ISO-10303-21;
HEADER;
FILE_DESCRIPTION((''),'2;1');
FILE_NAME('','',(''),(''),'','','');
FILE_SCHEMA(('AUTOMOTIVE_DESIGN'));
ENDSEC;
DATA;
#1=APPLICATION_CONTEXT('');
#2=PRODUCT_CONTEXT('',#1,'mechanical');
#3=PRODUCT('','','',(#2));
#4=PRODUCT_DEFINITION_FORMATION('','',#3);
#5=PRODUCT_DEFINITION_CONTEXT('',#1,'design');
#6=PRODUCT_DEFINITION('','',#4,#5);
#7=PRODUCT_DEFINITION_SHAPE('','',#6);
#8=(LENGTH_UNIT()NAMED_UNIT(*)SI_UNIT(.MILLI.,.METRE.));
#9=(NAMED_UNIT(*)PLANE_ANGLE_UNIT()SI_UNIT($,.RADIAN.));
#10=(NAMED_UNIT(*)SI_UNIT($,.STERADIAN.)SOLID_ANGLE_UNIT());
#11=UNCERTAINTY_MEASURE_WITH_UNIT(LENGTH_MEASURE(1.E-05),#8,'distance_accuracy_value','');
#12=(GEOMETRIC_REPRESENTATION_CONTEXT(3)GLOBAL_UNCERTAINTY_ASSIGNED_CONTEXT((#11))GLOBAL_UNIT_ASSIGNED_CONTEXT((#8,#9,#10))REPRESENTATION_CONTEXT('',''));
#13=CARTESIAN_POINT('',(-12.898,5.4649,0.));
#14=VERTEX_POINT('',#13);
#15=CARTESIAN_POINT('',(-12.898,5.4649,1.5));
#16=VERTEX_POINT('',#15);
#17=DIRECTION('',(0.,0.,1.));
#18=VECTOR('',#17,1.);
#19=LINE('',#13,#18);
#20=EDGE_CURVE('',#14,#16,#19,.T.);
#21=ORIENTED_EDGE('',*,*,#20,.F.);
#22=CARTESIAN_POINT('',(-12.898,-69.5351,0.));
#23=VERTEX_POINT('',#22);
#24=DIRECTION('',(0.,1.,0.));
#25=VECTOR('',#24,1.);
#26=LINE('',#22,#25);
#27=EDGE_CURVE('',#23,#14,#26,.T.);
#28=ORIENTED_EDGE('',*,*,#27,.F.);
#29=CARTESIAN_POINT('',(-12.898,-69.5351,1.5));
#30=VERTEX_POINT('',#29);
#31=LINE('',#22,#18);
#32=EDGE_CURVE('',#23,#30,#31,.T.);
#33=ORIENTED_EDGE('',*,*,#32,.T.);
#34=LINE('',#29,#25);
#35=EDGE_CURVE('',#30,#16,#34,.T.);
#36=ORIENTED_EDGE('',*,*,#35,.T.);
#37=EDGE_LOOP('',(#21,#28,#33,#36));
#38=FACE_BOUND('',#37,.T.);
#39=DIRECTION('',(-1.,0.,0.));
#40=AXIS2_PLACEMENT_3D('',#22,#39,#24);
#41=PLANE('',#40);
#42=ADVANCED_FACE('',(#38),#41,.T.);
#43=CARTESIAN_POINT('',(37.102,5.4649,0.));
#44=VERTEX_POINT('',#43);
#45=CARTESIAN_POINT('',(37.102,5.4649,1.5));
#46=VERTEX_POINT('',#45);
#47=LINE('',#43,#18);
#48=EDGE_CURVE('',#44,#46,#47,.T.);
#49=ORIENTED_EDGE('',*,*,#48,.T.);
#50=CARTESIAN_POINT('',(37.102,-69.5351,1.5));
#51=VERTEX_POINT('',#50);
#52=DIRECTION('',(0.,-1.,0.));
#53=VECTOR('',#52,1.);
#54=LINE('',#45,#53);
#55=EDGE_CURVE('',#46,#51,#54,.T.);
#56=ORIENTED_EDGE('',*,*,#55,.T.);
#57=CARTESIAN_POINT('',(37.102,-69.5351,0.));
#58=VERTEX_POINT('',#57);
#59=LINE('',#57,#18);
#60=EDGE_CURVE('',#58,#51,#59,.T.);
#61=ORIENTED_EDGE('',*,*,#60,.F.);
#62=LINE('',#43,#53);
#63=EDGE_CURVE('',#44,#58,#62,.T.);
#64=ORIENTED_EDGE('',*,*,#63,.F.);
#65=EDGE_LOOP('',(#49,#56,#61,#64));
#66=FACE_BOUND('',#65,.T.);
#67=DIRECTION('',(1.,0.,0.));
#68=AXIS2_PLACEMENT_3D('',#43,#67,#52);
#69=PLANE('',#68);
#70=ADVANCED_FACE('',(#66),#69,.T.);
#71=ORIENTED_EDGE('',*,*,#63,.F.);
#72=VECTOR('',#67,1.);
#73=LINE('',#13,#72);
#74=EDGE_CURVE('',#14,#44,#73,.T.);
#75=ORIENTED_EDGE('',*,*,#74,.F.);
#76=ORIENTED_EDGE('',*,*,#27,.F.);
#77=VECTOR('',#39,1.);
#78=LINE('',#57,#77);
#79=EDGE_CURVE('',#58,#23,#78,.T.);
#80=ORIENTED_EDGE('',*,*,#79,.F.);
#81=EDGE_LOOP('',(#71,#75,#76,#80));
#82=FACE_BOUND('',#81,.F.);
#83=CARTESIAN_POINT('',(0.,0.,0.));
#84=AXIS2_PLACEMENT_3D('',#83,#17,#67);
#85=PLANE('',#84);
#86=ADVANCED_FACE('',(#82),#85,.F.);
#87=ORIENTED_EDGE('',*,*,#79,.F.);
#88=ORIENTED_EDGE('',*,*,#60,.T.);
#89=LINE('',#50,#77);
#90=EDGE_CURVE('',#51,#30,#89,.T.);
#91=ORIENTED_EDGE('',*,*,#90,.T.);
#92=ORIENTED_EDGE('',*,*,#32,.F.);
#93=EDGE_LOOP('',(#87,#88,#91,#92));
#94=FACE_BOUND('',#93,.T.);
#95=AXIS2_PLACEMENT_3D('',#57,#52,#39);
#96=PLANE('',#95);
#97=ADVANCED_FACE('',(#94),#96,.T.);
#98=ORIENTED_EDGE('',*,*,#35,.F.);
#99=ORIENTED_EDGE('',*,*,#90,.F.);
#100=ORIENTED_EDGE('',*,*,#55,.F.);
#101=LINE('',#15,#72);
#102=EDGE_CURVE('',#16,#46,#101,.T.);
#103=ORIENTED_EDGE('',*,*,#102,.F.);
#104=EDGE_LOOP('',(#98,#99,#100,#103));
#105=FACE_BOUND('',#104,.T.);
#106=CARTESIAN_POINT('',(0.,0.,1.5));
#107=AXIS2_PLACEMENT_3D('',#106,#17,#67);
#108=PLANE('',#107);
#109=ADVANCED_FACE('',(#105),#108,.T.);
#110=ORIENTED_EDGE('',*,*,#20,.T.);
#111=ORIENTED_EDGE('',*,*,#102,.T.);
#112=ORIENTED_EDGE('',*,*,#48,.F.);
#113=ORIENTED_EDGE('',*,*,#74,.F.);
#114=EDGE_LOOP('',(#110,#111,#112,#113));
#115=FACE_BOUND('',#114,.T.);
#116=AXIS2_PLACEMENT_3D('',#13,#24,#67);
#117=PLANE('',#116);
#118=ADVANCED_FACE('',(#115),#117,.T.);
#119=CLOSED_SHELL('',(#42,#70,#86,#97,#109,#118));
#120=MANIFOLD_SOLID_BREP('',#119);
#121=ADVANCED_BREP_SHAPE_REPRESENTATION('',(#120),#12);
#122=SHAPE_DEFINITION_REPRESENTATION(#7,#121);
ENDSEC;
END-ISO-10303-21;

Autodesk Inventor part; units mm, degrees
ref_plane "YZ Plane" through (0, 0, 0) normal (1, 0, 0) x (0, 1, 0)
ref_plane "XZ Plane" through (0, 0, 0) normal (0, 1, 0) x (-1, 0, 0)
ref_plane "XY Plane" through (0, 0, 0) normal (0, 0, 1) x (1, 0, 0)
sketch "Szkic1" plane through (0, 0, 0) normal (0, 0, 1) x (1, 0, 0)
  line L0 (-12.898, 5.4649) -> (37.102, 5.4649)
  line L1 (37.102, 5.4649) -> (37.102, -69.5351)
  line L2 (37.102, -69.5351) -> (-12.898, -69.5351)
  line L3 (-12.898, -69.5351) -> (-12.898, 5.4649)
  point P0 (0, 0)
  dimension "d0" = 50
  dimension "d1" = 75
extrude "Wyciągnięcie proste1" add sketch "Szkic1" along normal blind 1.5
sketch "Szkic2" plane through (0, 0, 1.5) normal (0, 0, 1) x (1, 0, 0)
  line L0 (-1.3415, -24.8989) -> (31.392, -24.8989) construction
  line L1 (31.392, -24.8989) -> (31.392, -76.414) construction
  line L2 (31.392, -76.414) -> (-1.3415, -76.414) construction
  line L3 (-1.3415, -76.414) -> (-1.3415, -24.8989) construction
properties part number "COTS_GENERIC_PCB"
